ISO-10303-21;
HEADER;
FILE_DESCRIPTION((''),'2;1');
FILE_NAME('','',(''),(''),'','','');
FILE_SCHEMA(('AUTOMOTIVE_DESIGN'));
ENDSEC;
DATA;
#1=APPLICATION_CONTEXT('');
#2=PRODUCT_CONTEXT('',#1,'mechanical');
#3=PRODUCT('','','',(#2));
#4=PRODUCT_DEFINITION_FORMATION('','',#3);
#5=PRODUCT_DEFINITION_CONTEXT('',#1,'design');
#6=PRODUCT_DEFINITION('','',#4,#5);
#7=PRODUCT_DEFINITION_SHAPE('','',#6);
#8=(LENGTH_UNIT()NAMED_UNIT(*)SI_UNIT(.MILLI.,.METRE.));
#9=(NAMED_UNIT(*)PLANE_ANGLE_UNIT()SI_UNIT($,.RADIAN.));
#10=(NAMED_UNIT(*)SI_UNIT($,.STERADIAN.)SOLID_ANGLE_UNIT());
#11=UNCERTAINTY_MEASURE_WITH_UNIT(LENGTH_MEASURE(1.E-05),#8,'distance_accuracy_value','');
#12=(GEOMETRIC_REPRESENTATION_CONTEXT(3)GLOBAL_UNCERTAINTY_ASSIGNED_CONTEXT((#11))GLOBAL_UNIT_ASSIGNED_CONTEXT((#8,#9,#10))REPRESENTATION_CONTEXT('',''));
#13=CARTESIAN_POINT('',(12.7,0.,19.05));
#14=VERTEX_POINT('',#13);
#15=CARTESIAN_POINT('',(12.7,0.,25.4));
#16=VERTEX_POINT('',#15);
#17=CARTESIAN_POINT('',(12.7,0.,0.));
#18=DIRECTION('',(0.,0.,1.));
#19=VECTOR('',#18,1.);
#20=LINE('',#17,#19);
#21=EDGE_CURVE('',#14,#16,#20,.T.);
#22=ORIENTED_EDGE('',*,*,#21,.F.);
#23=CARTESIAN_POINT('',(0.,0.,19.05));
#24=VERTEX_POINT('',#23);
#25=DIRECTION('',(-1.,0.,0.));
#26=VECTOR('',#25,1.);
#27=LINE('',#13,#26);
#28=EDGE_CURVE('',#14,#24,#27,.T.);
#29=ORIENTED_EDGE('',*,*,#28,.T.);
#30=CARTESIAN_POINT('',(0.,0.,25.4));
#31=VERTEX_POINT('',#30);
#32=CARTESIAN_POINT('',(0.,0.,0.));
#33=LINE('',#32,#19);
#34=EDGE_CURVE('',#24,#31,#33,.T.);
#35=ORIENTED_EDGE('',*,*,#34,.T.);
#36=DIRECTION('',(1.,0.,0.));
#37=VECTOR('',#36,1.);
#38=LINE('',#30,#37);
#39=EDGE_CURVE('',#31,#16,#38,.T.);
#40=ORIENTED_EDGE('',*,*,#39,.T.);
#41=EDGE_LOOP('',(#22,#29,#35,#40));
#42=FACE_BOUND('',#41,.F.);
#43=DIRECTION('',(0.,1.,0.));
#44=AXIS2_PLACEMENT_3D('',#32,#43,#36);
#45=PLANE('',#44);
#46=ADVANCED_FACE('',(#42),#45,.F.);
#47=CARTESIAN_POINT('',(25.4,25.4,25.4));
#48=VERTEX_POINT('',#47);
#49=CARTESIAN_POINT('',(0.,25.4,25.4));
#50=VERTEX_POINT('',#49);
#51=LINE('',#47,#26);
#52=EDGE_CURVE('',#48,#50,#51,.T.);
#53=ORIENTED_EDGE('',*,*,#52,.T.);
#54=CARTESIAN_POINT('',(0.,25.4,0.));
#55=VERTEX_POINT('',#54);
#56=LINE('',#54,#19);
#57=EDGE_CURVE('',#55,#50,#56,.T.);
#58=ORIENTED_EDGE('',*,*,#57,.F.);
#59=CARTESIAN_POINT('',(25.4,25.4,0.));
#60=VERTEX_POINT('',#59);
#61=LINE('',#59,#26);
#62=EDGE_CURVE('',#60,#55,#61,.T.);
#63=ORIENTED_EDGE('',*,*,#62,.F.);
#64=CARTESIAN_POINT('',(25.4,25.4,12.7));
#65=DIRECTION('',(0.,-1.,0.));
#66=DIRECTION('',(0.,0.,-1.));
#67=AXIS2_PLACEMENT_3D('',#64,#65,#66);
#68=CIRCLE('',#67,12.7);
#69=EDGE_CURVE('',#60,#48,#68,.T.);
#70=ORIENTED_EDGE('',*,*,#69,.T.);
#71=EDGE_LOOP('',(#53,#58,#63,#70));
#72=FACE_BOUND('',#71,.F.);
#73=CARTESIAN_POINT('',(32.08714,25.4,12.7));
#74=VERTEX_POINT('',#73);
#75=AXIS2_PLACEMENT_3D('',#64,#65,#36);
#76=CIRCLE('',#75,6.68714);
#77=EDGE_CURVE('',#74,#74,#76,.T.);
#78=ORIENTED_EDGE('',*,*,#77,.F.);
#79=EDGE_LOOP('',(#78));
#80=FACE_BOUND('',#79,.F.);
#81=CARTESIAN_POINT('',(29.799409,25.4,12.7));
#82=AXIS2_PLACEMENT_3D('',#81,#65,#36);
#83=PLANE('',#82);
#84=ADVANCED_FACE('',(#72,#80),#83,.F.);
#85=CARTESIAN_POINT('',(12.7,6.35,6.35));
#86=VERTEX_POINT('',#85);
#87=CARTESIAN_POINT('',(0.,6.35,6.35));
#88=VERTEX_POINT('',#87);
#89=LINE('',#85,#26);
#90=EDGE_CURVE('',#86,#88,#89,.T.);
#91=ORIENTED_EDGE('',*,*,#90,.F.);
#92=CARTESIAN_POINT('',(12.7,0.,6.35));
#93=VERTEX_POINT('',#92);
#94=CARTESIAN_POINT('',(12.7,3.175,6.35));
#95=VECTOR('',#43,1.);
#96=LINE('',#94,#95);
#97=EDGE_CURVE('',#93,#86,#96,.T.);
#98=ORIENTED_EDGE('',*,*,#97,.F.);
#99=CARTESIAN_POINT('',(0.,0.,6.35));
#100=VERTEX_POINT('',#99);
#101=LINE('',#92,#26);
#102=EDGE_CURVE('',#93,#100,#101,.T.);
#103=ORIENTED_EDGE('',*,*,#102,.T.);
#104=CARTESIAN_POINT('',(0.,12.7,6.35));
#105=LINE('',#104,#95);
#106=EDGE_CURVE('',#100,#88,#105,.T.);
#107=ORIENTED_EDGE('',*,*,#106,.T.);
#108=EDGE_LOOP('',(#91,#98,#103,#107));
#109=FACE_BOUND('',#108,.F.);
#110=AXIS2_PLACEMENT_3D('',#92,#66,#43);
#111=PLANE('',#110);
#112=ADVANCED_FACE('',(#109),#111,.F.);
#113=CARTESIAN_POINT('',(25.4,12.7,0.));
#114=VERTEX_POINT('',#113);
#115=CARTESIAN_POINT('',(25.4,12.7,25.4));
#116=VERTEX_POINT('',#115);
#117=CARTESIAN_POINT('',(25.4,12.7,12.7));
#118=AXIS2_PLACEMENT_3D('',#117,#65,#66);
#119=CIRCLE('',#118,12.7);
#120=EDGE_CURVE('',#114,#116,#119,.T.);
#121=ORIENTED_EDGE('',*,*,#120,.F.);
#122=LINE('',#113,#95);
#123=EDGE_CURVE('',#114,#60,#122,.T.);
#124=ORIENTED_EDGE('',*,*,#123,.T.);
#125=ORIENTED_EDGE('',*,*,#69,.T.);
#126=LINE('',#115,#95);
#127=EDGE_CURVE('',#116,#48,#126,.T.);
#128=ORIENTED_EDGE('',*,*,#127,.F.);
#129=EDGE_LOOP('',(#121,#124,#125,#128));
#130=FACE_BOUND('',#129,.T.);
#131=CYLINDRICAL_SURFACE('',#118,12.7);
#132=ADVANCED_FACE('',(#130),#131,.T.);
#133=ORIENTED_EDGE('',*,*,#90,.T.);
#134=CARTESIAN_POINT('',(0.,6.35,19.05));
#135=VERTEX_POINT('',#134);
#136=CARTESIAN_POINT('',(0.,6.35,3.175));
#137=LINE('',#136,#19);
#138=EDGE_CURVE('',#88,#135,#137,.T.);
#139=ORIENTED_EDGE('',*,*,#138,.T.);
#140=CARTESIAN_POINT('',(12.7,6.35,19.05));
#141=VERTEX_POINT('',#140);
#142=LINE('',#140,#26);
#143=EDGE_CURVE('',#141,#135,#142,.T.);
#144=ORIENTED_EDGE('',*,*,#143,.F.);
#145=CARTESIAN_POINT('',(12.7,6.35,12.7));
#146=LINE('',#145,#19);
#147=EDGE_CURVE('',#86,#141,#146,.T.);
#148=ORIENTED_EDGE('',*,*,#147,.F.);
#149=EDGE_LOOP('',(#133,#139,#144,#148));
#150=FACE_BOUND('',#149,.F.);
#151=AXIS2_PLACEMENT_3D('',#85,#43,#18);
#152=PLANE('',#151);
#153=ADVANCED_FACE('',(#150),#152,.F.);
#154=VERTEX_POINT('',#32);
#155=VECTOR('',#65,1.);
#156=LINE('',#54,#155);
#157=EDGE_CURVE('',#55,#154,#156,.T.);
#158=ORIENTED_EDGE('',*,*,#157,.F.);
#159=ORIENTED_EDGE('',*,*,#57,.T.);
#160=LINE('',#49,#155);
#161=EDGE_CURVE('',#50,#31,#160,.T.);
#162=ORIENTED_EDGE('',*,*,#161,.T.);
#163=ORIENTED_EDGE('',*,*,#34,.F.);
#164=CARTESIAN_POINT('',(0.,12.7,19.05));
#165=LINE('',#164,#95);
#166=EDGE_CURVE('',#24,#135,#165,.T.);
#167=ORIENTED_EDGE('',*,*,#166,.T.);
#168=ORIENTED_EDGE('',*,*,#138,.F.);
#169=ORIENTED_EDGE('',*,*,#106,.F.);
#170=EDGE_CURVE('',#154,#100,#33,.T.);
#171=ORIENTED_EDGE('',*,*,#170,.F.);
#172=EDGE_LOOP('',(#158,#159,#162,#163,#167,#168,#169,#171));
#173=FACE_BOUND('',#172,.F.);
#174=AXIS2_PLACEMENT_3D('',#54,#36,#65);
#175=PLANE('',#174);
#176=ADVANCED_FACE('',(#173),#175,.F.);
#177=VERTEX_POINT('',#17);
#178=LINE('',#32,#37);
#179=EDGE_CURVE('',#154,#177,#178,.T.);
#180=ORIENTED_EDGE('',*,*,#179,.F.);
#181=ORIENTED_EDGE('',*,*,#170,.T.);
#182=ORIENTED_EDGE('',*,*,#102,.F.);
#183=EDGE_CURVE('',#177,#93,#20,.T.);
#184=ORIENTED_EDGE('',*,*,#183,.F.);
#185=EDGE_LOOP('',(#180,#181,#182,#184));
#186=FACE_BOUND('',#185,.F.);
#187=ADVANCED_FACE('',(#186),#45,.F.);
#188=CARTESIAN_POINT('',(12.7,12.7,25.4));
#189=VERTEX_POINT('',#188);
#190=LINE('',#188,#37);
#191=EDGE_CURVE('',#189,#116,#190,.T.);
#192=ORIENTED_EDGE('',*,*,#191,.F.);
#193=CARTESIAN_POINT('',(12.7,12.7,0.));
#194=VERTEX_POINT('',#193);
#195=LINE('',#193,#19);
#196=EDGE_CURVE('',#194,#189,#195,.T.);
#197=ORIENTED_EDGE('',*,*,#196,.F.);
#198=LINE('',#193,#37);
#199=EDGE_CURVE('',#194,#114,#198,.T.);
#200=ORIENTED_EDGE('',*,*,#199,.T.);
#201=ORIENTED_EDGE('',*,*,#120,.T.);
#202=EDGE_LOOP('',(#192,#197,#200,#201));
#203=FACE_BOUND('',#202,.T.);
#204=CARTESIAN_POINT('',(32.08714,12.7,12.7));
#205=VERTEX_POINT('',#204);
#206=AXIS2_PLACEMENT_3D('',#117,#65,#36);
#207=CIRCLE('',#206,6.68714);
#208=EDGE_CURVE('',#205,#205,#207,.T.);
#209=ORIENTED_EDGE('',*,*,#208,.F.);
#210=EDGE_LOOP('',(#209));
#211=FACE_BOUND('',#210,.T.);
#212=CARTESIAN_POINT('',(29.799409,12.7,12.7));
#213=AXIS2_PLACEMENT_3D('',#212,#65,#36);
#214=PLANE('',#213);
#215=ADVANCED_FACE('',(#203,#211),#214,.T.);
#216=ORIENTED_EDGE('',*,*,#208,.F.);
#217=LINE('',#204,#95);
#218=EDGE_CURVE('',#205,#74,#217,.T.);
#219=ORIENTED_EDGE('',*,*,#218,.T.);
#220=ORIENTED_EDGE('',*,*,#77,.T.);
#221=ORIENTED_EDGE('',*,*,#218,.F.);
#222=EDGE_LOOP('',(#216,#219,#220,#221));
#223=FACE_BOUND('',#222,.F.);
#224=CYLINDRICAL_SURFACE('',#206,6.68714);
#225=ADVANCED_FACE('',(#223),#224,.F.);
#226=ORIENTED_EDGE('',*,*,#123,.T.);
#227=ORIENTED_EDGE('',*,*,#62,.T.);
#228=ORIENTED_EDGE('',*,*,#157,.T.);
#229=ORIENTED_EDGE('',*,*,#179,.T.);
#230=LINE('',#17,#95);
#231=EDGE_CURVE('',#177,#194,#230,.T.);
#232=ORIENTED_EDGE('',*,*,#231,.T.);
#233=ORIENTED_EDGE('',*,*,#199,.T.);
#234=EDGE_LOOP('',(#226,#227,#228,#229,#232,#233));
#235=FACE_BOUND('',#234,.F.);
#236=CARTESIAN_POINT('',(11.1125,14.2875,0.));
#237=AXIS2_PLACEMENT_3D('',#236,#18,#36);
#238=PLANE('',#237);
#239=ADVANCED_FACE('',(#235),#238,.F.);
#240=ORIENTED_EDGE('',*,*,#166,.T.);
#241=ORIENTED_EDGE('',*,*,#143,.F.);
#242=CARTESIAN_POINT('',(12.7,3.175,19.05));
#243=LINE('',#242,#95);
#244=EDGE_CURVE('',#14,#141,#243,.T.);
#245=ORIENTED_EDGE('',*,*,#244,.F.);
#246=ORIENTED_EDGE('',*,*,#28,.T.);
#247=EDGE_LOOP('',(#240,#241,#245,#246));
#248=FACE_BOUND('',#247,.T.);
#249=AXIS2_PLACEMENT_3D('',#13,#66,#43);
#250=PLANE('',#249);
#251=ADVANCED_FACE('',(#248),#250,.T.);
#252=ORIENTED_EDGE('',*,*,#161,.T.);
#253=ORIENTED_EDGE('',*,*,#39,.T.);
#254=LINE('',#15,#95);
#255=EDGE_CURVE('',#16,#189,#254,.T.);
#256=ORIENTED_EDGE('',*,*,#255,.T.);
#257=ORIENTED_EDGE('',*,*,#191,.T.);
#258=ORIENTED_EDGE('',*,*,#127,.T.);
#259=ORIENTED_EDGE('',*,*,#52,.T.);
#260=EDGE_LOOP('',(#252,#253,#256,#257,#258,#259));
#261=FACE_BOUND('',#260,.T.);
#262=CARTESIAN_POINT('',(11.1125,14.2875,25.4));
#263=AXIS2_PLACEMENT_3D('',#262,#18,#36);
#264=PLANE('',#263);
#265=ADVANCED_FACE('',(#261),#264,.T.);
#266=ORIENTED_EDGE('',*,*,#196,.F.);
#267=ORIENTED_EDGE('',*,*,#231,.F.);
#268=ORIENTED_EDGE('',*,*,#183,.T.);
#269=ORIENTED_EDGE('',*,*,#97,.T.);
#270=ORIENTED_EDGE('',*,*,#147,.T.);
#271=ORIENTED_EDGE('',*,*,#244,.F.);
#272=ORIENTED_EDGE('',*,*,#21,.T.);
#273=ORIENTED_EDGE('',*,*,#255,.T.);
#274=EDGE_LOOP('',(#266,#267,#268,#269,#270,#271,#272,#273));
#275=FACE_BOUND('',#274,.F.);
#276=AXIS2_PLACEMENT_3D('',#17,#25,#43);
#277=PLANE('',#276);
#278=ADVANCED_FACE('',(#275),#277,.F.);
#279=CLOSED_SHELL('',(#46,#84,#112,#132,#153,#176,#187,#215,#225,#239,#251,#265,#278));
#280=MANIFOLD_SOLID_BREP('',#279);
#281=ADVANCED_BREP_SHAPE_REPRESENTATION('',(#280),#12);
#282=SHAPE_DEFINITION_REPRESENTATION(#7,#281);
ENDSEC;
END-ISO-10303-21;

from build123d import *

# Parameters (mm, degrees)
F1_DEPTH = 25.4
F2_W     = 6.35
F2_H     = 12.7
F3_DEPTH = 25.4
F5_DEPTH = 12.7
F6_R     = 6.68714
F7_DEPTH = 25.4


with BuildPart() as f1:
    # F0 (on Top) → F1 (new body)
    with BuildSketch(Plane.XY):
        Polygon((0, 25.4), (0, 0), (12.7, 0), (12.7, 12.7), (25.4, 12.7), (25.4, 25.4), align=None)
    extrude(amount=F1_DEPTH)

    # F2 (on face) → F3 (cut)
    with BuildSketch(Plane.YZ.offset(12.7)):
        with Locations((3.175, 12.7)):
            Rectangle(F2_W, F2_H)
    extrude(amount=-F3_DEPTH, mode=Mode.SUBTRACT)

    # F4 (on face) → F5 (join)
    with BuildSketch(Plane.XZ.offset(-12.7)):
        with BuildLine():
            Line((25.4, 25.4), (25.4, 0))
            ThreePointArc((25.4, 0), (38.1, 12.7), (25.4, 25.4))
        make_face()
    extrude(amount=-F5_DEPTH)

    # F6 (on face) → F7 (cut)
    with BuildSketch(Plane.XZ.offset(-12.7)):
        with Locations((25.4, 12.7)):
            Circle(F6_R)
    extrude(amount=-F7_DEPTH, mode=Mode.SUBTRACT)


solid = f1.part
